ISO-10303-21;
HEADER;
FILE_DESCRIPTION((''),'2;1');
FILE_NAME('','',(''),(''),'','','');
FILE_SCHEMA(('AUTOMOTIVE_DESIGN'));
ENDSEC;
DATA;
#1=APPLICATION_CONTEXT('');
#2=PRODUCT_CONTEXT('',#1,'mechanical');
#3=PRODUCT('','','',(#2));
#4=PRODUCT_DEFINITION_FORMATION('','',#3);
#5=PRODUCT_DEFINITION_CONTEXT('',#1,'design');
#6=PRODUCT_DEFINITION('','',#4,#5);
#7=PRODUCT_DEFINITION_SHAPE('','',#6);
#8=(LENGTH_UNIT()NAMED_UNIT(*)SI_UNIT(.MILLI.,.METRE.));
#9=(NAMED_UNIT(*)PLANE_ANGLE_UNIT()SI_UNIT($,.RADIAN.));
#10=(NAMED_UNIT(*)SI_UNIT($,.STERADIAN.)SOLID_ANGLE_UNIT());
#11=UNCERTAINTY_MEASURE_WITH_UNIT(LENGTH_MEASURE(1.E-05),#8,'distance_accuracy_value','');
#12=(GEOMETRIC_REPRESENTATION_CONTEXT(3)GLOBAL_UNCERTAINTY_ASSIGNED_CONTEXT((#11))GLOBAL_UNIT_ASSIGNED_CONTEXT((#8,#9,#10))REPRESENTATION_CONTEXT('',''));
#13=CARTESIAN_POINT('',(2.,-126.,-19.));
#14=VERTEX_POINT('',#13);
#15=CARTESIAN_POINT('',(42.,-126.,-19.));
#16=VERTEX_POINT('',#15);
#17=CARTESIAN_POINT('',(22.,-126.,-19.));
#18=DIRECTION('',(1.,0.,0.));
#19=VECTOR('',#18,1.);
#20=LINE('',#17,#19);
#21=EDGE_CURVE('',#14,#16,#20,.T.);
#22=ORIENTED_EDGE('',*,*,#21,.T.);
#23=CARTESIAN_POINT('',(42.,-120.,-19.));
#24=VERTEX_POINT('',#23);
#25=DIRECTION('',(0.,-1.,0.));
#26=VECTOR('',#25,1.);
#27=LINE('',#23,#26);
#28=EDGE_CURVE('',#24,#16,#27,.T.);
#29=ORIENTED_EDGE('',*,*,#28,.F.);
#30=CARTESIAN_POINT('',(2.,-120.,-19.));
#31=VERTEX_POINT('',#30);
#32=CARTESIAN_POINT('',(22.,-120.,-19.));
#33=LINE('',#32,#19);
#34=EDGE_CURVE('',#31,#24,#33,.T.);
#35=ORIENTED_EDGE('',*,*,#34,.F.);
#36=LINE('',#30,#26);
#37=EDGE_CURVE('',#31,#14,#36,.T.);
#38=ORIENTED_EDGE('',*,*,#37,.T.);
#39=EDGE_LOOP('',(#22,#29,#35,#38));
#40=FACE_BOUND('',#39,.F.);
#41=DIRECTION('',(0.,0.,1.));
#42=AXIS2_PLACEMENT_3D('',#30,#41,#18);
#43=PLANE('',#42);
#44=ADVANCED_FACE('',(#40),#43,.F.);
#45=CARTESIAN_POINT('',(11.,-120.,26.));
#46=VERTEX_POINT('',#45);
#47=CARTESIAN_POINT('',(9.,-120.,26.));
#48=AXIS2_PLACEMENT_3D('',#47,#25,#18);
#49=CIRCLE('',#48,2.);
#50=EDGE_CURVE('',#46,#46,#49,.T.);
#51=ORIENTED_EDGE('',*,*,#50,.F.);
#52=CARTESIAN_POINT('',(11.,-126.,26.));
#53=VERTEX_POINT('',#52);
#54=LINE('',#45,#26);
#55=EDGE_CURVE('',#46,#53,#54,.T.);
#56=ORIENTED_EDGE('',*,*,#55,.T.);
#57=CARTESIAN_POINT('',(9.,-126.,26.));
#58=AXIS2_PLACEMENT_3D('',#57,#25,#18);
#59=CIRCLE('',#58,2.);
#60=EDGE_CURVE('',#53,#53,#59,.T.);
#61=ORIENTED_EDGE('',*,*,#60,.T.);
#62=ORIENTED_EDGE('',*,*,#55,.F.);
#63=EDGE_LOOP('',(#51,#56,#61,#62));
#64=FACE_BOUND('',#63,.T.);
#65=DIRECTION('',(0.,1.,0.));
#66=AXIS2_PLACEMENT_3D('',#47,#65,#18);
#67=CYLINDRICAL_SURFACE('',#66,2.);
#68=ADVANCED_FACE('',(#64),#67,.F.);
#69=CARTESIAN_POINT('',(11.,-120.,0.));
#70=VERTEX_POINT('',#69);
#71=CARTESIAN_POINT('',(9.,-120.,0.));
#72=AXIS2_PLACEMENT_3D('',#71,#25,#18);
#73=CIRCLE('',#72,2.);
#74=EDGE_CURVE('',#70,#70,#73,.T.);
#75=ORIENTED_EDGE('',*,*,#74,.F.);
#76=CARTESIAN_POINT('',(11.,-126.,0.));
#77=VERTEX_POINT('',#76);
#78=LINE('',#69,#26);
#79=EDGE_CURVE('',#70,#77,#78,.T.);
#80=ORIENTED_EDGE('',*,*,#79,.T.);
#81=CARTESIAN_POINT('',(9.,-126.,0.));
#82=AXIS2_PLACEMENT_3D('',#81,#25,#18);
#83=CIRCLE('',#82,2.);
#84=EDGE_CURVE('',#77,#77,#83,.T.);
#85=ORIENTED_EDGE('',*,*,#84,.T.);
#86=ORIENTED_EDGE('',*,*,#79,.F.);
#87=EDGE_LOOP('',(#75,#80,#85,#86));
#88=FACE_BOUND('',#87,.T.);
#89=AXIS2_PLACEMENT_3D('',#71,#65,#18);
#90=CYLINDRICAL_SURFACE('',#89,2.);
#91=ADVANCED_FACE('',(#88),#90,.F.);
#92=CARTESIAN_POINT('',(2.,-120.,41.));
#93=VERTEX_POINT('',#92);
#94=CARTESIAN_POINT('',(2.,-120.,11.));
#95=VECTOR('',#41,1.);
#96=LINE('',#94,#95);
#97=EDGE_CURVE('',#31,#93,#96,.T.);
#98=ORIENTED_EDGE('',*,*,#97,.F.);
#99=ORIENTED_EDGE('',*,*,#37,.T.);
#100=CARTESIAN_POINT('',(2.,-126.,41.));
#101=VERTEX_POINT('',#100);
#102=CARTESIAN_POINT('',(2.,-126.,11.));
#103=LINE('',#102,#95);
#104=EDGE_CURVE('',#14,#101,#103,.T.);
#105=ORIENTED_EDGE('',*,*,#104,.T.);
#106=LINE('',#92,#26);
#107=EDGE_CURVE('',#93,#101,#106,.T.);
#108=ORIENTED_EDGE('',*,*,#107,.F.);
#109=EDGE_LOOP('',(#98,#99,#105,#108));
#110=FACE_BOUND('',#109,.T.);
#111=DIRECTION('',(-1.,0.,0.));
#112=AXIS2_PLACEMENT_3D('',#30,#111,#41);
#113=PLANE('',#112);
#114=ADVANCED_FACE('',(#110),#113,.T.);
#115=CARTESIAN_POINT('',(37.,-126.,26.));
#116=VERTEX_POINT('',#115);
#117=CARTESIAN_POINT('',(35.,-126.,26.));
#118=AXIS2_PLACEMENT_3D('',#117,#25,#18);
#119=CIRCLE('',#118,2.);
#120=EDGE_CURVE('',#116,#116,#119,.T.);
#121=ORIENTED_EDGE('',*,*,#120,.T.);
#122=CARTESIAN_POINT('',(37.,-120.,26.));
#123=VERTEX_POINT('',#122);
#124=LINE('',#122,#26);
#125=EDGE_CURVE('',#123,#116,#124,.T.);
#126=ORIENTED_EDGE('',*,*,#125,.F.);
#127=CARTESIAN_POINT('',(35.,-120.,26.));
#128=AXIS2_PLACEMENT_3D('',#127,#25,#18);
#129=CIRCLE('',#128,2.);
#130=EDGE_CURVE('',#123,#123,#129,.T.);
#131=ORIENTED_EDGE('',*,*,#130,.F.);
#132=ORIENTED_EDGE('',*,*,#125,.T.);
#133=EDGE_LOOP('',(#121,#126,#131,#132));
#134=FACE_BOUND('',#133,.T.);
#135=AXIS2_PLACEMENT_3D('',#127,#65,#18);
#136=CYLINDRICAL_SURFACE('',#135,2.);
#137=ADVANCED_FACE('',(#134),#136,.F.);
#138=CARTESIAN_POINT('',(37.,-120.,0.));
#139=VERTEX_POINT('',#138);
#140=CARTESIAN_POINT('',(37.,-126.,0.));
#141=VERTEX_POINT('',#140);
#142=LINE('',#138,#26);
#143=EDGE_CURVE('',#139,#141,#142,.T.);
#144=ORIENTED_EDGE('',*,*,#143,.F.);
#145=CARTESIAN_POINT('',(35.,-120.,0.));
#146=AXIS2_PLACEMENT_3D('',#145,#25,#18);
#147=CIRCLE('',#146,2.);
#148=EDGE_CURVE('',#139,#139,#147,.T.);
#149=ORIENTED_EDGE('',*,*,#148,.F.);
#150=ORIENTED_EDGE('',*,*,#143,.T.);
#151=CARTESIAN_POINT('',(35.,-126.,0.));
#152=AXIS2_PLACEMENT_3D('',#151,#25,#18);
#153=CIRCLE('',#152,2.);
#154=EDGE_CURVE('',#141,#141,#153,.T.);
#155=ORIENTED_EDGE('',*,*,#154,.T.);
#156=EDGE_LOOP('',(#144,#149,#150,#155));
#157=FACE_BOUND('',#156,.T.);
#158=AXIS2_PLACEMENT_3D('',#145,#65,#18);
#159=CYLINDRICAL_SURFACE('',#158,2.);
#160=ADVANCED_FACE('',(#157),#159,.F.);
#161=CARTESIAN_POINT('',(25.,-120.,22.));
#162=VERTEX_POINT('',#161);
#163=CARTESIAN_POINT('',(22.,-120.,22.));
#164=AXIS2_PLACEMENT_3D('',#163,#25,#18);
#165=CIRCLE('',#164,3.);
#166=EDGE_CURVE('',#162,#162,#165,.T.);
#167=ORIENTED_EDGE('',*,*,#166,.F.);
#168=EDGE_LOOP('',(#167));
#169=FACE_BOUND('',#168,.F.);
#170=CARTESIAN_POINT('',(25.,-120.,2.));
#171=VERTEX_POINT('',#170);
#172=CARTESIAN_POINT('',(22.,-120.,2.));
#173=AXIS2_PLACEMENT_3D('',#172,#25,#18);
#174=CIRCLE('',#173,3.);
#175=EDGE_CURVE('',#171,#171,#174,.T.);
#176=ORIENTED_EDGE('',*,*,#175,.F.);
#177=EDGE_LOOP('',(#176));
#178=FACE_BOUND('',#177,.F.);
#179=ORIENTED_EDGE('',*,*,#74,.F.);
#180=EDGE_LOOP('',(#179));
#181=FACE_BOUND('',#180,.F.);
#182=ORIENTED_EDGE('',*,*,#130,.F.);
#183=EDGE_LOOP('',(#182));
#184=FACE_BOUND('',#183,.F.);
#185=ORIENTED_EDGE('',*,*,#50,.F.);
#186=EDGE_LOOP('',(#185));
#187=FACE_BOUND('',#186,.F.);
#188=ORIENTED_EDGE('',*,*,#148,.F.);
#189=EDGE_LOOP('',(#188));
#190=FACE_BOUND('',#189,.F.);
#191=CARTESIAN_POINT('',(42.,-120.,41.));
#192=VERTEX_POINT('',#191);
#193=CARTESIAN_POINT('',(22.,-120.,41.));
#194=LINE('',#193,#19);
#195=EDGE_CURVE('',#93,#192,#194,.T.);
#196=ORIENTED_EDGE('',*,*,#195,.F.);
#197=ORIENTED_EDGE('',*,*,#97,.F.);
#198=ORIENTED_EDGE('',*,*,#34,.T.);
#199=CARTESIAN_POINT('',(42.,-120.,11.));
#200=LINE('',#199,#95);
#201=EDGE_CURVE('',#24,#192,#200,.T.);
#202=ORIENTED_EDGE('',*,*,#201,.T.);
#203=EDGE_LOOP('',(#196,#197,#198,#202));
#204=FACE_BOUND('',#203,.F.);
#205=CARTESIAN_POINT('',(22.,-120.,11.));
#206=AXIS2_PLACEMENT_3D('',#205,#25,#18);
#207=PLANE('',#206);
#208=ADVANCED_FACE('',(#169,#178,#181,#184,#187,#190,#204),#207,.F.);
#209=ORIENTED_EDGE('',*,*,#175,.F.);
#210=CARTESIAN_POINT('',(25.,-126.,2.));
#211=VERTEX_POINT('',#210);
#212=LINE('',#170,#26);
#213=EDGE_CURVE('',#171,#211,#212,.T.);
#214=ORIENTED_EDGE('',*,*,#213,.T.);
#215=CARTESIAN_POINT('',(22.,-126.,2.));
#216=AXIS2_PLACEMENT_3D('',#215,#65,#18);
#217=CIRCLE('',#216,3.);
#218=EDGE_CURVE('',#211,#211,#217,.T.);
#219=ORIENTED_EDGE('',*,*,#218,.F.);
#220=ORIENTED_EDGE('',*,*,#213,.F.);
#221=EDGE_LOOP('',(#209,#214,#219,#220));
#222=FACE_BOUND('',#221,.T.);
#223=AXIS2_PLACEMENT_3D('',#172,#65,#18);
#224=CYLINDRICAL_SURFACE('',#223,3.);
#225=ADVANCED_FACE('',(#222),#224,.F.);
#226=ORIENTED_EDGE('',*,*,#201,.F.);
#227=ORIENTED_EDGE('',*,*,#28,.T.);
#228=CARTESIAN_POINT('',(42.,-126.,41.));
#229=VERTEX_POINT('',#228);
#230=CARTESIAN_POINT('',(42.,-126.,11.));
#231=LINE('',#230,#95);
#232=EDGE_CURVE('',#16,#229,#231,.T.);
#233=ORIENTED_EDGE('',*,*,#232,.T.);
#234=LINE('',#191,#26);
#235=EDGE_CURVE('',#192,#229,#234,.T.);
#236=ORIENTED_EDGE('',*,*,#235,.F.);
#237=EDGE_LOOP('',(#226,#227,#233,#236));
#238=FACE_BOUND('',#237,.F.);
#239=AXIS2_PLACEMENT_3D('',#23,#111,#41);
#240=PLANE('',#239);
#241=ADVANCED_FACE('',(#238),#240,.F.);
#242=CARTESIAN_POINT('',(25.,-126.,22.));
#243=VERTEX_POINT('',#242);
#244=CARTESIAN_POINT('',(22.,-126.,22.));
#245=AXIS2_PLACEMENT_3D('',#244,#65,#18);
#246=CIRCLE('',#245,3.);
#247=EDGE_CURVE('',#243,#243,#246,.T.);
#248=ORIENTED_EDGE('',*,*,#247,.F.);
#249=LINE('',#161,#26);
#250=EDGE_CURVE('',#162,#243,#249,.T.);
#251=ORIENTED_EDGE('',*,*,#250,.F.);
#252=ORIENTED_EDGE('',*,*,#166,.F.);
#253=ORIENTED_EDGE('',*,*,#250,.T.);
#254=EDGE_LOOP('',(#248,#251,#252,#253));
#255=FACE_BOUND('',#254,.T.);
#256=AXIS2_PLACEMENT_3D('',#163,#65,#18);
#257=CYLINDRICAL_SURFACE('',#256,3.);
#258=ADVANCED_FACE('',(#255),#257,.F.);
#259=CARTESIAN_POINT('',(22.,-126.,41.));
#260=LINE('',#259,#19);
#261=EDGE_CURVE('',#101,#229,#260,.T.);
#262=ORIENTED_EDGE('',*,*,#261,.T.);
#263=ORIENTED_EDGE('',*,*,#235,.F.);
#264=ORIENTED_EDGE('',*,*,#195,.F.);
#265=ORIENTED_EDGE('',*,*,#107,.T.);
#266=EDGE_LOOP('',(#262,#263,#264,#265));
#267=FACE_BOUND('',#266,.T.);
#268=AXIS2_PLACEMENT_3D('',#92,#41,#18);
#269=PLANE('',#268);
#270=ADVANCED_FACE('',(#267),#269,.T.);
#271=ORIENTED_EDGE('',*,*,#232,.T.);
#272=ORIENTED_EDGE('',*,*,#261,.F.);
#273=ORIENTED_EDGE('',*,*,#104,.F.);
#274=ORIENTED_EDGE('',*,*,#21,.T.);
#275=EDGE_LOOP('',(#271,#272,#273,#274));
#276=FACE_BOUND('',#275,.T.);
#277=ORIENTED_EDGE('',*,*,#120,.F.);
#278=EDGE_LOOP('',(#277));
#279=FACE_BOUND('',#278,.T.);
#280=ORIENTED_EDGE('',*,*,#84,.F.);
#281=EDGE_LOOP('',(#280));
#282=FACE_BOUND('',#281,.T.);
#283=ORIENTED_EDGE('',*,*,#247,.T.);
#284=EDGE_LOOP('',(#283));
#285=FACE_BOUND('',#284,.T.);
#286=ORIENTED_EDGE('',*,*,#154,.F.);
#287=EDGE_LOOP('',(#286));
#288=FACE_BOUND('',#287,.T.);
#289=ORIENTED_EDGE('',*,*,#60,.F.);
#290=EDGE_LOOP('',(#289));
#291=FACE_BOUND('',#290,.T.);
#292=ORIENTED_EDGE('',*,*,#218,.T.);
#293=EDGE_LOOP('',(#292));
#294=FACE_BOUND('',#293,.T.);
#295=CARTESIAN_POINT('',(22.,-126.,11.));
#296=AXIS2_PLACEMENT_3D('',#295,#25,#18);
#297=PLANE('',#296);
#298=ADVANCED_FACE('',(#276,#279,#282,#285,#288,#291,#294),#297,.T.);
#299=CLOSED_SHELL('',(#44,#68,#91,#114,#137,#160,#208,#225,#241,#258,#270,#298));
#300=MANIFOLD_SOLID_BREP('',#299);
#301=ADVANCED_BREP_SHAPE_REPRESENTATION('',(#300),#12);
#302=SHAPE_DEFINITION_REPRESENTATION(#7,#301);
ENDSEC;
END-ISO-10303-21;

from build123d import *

# Parameters (mm, degrees)
CYLINDER006_R          = 3
CYLINDER006_DEPTH      = 10
CYLINDER006_ROLL_ANGLE = 90
ARRAY006_Z_COUNT       = 2
ARRAY006_Z_PITCH       = 20
CYLINDER005_R          = 2
CYLINDER005_DEPTH      = 6
CYLINDER005_ROLL_ANGLE = 90
ARRAY005_X_COUNT       = 2
ARRAY005_X_PITCH       = 26
ARRAY005_Z_COUNT       = 2
ARRAY005_Z_PITCH       = 26
BOX013_W               = 40
BOX013_H               = 60
BOX013_DEPTH           = 6
BOX013_ROLL_ANGLE      = 90


with BuildPart() as array006:
    # Cylinder006 → Cylinder006 (new body)
    with BuildSketch(Plane.XY):
        Circle(CYLINDER006_R)
    extrude(amount=CYLINDER006_DEPTH)


with BuildPart() as array006_1:
    # Cylinder006 roll: moved
    add(array006.part.rotate(Axis((0, 0, 0), (1, 0, 0)), CYLINDER006_ROLL_ANGLE))


with BuildPart() as array006_2:
    # Cylinder006 placement: moved
    add(array006_1.part.moved(Location((20, 0, 21))))

    # Array006 Z: Array006 ×2


with BuildPart() as array006_3:
    add(array006_2.part)
    with Locations(*[(0, 0, i * ARRAY006_Z_PITCH) for i in range(1, ARRAY006_Z_COUNT)]):
        add(array006_2.part)


with BuildPart() as array005:
    # Cylinder005 → Cylinder005 (new body)
    with BuildSketch(Plane.XY):
        Circle(CYLINDER005_R)
    extrude(amount=CYLINDER005_DEPTH)


with BuildPart() as array005_1:
    # Cylinder005 roll: moved
    add(array005.part.rotate(Axis((0, 0, 0), (1, 0, 0)), CYLINDER005_ROLL_ANGLE))


with BuildPart() as array005_2:
    # Cylinder005 placement: moved
    add(array005_1.part.moved(Location((7, 0, 19))))

    # Array005 X: Array005 ×2


with BuildPart() as array005_3:
    add(array005_2.part)
    with Locations(*[(i * ARRAY005_X_PITCH, 0, 0) for i in range(1, ARRAY005_X_COUNT)]):
        add(array005_2.part)

    # Array005 Z: Array005 ×2


with BuildPart() as array005_4:
    add(array005_3.part)
    with Locations(*[(0, 0, i * ARRAY005_Z_PITCH) for i in range(1, ARRAY005_Z_COUNT)]):
        add(array005_3.part)


with BuildPart() as soporte_pieza_brazo_con_guia_lineal:
    # Box013 → Box013 (new body)
    with BuildSketch(Plane.XY):
        with Locations((20, 30)):
            Rectangle(BOX013_W, BOX013_H)
    extrude(amount=BOX013_DEPTH)


with BuildPart() as soporte_pieza_brazo_con_guia_lineal_1:
    # Box013 roll: moved
    add(soporte_pieza_brazo_con_guia_lineal.part.rotate(Axis((0, 0, 0), (1, 0, 0)), BOX013_ROLL_ANGLE))


with BuildPart() as soporte_pieza_brazo_con_guia_lineal_2:
    # Box013 placement: moved
    add(soporte_pieza_brazo_con_guia_lineal_1.part)

    # Cut006: cut Array005
    add(array005_4.part, mode=Mode.SUBTRACT)

    # Cut007: cut Array006
    add(array006_3.part, mode=Mode.SUBTRACT)


with BuildPart() as soporte_pieza_brazo_con_guia_lineal_3:
    # Cut007 placement: moved
    add(soporte_pieza_brazo_con_guia_lineal_2.part.moved(Location((2, -120, -19))))


solid = soporte_pieza_brazo_con_guia_lineal_3.part
